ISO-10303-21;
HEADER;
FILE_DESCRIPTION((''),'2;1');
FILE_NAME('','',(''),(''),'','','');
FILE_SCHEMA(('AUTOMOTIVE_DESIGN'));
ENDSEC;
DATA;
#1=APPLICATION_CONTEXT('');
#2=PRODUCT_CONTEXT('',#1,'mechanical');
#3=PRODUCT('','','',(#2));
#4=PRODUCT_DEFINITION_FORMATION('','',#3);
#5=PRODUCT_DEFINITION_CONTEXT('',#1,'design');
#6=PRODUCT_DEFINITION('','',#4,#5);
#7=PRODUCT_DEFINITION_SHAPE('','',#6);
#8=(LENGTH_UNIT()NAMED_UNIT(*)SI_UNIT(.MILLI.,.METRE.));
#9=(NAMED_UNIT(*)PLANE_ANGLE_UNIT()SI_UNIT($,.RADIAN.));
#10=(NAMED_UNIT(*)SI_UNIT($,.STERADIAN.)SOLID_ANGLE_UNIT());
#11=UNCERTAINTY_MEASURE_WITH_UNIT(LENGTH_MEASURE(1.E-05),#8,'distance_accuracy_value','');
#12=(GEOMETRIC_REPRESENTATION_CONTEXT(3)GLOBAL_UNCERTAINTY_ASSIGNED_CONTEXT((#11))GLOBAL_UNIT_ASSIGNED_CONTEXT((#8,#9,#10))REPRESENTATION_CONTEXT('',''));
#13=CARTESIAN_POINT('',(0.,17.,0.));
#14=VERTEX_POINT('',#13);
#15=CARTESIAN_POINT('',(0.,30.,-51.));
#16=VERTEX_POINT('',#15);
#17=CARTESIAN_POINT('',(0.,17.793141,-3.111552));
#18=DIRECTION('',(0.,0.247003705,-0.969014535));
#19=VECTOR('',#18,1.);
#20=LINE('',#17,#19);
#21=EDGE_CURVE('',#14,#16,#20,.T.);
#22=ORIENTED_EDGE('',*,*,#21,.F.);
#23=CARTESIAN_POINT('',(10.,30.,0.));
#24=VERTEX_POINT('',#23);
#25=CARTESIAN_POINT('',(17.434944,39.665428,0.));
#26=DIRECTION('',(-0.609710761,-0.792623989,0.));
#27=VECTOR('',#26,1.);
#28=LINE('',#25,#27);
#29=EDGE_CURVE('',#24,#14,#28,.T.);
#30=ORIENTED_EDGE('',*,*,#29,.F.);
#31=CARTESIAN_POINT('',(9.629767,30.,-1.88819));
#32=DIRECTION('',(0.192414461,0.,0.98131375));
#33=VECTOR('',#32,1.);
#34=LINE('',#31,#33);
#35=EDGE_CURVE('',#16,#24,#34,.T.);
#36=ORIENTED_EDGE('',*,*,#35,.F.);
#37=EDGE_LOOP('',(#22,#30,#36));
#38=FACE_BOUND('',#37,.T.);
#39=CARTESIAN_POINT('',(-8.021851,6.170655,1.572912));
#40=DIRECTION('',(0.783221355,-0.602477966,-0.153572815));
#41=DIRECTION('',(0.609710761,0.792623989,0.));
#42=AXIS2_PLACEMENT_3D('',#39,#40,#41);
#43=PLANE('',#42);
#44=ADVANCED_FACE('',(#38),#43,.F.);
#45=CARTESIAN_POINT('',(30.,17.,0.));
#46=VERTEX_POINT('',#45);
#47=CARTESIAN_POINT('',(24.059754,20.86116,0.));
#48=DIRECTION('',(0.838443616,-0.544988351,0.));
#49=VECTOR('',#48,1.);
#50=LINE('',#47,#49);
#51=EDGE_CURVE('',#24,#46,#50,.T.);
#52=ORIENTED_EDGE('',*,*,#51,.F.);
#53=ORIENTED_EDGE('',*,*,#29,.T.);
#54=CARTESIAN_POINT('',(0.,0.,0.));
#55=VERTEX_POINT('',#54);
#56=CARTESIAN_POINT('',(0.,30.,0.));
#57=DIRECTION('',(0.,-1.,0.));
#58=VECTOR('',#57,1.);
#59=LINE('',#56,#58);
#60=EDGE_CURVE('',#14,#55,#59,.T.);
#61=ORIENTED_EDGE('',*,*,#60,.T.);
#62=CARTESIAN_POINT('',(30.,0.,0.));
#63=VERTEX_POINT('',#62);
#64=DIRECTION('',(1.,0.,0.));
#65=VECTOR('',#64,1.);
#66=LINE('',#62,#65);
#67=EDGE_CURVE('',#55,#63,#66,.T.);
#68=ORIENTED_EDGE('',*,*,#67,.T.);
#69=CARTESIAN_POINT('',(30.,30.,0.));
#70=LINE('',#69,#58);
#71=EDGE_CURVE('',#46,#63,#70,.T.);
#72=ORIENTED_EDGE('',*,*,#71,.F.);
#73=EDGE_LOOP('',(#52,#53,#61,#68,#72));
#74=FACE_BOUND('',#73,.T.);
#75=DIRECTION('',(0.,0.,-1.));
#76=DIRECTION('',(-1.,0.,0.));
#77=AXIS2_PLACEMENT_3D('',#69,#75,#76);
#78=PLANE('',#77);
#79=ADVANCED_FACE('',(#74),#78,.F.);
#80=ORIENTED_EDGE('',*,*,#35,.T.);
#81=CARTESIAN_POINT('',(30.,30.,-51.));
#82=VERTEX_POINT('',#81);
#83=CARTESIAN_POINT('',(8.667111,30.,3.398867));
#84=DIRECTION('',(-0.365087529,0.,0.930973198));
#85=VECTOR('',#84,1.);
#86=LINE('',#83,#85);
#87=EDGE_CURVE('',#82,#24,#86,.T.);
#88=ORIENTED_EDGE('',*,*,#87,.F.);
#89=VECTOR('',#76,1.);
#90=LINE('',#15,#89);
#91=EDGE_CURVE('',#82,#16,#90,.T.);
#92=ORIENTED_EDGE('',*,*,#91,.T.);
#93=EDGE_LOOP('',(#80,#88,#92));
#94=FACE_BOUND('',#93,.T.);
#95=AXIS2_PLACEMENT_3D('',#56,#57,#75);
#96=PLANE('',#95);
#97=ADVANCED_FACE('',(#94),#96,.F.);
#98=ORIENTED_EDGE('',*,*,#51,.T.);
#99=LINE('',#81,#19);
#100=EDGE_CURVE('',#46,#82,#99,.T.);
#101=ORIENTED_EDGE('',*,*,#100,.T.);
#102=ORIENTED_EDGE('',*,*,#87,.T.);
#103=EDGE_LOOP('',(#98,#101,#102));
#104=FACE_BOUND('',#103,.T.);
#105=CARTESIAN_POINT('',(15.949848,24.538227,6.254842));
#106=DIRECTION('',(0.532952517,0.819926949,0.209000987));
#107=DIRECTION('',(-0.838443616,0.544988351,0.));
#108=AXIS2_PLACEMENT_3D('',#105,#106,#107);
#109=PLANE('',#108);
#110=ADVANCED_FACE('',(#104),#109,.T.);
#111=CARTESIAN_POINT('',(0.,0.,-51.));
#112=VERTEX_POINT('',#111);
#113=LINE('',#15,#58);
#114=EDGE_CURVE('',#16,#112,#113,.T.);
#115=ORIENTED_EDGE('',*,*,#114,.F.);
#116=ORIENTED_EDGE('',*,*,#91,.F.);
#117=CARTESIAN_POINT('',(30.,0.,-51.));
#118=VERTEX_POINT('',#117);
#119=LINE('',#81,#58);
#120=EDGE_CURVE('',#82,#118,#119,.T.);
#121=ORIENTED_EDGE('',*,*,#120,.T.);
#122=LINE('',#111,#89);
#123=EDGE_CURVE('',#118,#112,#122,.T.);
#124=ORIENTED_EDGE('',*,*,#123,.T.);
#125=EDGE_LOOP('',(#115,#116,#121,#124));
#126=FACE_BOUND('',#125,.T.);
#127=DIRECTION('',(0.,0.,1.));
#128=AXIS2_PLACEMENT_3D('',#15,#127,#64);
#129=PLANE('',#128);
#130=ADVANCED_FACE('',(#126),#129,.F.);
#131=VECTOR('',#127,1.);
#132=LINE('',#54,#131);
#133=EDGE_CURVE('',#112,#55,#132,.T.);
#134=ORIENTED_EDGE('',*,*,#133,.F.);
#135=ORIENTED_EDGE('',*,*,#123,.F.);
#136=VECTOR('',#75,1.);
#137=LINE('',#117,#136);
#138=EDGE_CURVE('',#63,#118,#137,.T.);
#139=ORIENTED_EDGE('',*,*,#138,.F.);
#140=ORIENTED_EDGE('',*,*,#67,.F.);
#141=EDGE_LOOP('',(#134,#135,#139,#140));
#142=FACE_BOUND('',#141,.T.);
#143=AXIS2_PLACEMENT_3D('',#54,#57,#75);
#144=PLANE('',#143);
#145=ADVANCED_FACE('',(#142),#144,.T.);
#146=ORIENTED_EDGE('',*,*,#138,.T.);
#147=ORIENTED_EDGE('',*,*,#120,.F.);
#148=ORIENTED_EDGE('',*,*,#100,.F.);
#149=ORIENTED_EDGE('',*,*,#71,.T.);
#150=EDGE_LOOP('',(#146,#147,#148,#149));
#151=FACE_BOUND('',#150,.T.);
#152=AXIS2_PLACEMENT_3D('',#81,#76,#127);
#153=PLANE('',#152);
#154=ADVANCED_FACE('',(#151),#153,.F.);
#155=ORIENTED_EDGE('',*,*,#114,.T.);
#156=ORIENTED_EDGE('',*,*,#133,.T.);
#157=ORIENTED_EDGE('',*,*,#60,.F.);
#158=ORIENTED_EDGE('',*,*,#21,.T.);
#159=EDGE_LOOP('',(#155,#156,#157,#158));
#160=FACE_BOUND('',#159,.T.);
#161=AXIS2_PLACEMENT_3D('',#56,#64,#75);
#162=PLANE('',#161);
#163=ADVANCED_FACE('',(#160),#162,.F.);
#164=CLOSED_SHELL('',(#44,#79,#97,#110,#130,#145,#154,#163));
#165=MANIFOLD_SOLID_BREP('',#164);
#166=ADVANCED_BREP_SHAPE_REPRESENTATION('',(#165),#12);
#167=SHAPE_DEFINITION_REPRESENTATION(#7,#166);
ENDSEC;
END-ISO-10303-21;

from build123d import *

# Parameters (mm, degrees)
SKETCH2_W           = 30
SKETCH2_H           = 51
BOSS_EXTRUDE1_DEPTH = 30


with BuildPart() as part:
    # Sketch2 → Boss-Extrude1 (new body)
    with BuildSketch(Plane(origin=(0, 0, 0), x_dir=(1, 0, 0), z_dir=(0, 1, 0))):
        with Locations((15, 25.5)):
            Rectangle(SKETCH2_W, SKETCH2_H)
    extrude(amount=BOSS_EXTRUDE1_DEPTH)

    # SurfaceCut2
    split(bisect_by=Plane(origin=(15.949847794, 24.538227375, 6.254842272), x_dir=(0.8461451498623624, -0.5164387356010117, -0.1316412463296696), z_dir=(0.5329525169885216, 0.8199269492131106, 0.20900098705432213)), keep=Keep.BOTTOM)

    # SurfaceCut3
    split(bisect_by=Plane(origin=(-8.02185135, 6.170654885, 1.572912029), x_dir=(-0.1217254970638359, 0.09363499774141223, -0.9881373338572569), z_dir=(0.7832213553451228, -0.6024779656500949, -0.15357281477355358)), keep=Keep.TOP)


solid = part.part
